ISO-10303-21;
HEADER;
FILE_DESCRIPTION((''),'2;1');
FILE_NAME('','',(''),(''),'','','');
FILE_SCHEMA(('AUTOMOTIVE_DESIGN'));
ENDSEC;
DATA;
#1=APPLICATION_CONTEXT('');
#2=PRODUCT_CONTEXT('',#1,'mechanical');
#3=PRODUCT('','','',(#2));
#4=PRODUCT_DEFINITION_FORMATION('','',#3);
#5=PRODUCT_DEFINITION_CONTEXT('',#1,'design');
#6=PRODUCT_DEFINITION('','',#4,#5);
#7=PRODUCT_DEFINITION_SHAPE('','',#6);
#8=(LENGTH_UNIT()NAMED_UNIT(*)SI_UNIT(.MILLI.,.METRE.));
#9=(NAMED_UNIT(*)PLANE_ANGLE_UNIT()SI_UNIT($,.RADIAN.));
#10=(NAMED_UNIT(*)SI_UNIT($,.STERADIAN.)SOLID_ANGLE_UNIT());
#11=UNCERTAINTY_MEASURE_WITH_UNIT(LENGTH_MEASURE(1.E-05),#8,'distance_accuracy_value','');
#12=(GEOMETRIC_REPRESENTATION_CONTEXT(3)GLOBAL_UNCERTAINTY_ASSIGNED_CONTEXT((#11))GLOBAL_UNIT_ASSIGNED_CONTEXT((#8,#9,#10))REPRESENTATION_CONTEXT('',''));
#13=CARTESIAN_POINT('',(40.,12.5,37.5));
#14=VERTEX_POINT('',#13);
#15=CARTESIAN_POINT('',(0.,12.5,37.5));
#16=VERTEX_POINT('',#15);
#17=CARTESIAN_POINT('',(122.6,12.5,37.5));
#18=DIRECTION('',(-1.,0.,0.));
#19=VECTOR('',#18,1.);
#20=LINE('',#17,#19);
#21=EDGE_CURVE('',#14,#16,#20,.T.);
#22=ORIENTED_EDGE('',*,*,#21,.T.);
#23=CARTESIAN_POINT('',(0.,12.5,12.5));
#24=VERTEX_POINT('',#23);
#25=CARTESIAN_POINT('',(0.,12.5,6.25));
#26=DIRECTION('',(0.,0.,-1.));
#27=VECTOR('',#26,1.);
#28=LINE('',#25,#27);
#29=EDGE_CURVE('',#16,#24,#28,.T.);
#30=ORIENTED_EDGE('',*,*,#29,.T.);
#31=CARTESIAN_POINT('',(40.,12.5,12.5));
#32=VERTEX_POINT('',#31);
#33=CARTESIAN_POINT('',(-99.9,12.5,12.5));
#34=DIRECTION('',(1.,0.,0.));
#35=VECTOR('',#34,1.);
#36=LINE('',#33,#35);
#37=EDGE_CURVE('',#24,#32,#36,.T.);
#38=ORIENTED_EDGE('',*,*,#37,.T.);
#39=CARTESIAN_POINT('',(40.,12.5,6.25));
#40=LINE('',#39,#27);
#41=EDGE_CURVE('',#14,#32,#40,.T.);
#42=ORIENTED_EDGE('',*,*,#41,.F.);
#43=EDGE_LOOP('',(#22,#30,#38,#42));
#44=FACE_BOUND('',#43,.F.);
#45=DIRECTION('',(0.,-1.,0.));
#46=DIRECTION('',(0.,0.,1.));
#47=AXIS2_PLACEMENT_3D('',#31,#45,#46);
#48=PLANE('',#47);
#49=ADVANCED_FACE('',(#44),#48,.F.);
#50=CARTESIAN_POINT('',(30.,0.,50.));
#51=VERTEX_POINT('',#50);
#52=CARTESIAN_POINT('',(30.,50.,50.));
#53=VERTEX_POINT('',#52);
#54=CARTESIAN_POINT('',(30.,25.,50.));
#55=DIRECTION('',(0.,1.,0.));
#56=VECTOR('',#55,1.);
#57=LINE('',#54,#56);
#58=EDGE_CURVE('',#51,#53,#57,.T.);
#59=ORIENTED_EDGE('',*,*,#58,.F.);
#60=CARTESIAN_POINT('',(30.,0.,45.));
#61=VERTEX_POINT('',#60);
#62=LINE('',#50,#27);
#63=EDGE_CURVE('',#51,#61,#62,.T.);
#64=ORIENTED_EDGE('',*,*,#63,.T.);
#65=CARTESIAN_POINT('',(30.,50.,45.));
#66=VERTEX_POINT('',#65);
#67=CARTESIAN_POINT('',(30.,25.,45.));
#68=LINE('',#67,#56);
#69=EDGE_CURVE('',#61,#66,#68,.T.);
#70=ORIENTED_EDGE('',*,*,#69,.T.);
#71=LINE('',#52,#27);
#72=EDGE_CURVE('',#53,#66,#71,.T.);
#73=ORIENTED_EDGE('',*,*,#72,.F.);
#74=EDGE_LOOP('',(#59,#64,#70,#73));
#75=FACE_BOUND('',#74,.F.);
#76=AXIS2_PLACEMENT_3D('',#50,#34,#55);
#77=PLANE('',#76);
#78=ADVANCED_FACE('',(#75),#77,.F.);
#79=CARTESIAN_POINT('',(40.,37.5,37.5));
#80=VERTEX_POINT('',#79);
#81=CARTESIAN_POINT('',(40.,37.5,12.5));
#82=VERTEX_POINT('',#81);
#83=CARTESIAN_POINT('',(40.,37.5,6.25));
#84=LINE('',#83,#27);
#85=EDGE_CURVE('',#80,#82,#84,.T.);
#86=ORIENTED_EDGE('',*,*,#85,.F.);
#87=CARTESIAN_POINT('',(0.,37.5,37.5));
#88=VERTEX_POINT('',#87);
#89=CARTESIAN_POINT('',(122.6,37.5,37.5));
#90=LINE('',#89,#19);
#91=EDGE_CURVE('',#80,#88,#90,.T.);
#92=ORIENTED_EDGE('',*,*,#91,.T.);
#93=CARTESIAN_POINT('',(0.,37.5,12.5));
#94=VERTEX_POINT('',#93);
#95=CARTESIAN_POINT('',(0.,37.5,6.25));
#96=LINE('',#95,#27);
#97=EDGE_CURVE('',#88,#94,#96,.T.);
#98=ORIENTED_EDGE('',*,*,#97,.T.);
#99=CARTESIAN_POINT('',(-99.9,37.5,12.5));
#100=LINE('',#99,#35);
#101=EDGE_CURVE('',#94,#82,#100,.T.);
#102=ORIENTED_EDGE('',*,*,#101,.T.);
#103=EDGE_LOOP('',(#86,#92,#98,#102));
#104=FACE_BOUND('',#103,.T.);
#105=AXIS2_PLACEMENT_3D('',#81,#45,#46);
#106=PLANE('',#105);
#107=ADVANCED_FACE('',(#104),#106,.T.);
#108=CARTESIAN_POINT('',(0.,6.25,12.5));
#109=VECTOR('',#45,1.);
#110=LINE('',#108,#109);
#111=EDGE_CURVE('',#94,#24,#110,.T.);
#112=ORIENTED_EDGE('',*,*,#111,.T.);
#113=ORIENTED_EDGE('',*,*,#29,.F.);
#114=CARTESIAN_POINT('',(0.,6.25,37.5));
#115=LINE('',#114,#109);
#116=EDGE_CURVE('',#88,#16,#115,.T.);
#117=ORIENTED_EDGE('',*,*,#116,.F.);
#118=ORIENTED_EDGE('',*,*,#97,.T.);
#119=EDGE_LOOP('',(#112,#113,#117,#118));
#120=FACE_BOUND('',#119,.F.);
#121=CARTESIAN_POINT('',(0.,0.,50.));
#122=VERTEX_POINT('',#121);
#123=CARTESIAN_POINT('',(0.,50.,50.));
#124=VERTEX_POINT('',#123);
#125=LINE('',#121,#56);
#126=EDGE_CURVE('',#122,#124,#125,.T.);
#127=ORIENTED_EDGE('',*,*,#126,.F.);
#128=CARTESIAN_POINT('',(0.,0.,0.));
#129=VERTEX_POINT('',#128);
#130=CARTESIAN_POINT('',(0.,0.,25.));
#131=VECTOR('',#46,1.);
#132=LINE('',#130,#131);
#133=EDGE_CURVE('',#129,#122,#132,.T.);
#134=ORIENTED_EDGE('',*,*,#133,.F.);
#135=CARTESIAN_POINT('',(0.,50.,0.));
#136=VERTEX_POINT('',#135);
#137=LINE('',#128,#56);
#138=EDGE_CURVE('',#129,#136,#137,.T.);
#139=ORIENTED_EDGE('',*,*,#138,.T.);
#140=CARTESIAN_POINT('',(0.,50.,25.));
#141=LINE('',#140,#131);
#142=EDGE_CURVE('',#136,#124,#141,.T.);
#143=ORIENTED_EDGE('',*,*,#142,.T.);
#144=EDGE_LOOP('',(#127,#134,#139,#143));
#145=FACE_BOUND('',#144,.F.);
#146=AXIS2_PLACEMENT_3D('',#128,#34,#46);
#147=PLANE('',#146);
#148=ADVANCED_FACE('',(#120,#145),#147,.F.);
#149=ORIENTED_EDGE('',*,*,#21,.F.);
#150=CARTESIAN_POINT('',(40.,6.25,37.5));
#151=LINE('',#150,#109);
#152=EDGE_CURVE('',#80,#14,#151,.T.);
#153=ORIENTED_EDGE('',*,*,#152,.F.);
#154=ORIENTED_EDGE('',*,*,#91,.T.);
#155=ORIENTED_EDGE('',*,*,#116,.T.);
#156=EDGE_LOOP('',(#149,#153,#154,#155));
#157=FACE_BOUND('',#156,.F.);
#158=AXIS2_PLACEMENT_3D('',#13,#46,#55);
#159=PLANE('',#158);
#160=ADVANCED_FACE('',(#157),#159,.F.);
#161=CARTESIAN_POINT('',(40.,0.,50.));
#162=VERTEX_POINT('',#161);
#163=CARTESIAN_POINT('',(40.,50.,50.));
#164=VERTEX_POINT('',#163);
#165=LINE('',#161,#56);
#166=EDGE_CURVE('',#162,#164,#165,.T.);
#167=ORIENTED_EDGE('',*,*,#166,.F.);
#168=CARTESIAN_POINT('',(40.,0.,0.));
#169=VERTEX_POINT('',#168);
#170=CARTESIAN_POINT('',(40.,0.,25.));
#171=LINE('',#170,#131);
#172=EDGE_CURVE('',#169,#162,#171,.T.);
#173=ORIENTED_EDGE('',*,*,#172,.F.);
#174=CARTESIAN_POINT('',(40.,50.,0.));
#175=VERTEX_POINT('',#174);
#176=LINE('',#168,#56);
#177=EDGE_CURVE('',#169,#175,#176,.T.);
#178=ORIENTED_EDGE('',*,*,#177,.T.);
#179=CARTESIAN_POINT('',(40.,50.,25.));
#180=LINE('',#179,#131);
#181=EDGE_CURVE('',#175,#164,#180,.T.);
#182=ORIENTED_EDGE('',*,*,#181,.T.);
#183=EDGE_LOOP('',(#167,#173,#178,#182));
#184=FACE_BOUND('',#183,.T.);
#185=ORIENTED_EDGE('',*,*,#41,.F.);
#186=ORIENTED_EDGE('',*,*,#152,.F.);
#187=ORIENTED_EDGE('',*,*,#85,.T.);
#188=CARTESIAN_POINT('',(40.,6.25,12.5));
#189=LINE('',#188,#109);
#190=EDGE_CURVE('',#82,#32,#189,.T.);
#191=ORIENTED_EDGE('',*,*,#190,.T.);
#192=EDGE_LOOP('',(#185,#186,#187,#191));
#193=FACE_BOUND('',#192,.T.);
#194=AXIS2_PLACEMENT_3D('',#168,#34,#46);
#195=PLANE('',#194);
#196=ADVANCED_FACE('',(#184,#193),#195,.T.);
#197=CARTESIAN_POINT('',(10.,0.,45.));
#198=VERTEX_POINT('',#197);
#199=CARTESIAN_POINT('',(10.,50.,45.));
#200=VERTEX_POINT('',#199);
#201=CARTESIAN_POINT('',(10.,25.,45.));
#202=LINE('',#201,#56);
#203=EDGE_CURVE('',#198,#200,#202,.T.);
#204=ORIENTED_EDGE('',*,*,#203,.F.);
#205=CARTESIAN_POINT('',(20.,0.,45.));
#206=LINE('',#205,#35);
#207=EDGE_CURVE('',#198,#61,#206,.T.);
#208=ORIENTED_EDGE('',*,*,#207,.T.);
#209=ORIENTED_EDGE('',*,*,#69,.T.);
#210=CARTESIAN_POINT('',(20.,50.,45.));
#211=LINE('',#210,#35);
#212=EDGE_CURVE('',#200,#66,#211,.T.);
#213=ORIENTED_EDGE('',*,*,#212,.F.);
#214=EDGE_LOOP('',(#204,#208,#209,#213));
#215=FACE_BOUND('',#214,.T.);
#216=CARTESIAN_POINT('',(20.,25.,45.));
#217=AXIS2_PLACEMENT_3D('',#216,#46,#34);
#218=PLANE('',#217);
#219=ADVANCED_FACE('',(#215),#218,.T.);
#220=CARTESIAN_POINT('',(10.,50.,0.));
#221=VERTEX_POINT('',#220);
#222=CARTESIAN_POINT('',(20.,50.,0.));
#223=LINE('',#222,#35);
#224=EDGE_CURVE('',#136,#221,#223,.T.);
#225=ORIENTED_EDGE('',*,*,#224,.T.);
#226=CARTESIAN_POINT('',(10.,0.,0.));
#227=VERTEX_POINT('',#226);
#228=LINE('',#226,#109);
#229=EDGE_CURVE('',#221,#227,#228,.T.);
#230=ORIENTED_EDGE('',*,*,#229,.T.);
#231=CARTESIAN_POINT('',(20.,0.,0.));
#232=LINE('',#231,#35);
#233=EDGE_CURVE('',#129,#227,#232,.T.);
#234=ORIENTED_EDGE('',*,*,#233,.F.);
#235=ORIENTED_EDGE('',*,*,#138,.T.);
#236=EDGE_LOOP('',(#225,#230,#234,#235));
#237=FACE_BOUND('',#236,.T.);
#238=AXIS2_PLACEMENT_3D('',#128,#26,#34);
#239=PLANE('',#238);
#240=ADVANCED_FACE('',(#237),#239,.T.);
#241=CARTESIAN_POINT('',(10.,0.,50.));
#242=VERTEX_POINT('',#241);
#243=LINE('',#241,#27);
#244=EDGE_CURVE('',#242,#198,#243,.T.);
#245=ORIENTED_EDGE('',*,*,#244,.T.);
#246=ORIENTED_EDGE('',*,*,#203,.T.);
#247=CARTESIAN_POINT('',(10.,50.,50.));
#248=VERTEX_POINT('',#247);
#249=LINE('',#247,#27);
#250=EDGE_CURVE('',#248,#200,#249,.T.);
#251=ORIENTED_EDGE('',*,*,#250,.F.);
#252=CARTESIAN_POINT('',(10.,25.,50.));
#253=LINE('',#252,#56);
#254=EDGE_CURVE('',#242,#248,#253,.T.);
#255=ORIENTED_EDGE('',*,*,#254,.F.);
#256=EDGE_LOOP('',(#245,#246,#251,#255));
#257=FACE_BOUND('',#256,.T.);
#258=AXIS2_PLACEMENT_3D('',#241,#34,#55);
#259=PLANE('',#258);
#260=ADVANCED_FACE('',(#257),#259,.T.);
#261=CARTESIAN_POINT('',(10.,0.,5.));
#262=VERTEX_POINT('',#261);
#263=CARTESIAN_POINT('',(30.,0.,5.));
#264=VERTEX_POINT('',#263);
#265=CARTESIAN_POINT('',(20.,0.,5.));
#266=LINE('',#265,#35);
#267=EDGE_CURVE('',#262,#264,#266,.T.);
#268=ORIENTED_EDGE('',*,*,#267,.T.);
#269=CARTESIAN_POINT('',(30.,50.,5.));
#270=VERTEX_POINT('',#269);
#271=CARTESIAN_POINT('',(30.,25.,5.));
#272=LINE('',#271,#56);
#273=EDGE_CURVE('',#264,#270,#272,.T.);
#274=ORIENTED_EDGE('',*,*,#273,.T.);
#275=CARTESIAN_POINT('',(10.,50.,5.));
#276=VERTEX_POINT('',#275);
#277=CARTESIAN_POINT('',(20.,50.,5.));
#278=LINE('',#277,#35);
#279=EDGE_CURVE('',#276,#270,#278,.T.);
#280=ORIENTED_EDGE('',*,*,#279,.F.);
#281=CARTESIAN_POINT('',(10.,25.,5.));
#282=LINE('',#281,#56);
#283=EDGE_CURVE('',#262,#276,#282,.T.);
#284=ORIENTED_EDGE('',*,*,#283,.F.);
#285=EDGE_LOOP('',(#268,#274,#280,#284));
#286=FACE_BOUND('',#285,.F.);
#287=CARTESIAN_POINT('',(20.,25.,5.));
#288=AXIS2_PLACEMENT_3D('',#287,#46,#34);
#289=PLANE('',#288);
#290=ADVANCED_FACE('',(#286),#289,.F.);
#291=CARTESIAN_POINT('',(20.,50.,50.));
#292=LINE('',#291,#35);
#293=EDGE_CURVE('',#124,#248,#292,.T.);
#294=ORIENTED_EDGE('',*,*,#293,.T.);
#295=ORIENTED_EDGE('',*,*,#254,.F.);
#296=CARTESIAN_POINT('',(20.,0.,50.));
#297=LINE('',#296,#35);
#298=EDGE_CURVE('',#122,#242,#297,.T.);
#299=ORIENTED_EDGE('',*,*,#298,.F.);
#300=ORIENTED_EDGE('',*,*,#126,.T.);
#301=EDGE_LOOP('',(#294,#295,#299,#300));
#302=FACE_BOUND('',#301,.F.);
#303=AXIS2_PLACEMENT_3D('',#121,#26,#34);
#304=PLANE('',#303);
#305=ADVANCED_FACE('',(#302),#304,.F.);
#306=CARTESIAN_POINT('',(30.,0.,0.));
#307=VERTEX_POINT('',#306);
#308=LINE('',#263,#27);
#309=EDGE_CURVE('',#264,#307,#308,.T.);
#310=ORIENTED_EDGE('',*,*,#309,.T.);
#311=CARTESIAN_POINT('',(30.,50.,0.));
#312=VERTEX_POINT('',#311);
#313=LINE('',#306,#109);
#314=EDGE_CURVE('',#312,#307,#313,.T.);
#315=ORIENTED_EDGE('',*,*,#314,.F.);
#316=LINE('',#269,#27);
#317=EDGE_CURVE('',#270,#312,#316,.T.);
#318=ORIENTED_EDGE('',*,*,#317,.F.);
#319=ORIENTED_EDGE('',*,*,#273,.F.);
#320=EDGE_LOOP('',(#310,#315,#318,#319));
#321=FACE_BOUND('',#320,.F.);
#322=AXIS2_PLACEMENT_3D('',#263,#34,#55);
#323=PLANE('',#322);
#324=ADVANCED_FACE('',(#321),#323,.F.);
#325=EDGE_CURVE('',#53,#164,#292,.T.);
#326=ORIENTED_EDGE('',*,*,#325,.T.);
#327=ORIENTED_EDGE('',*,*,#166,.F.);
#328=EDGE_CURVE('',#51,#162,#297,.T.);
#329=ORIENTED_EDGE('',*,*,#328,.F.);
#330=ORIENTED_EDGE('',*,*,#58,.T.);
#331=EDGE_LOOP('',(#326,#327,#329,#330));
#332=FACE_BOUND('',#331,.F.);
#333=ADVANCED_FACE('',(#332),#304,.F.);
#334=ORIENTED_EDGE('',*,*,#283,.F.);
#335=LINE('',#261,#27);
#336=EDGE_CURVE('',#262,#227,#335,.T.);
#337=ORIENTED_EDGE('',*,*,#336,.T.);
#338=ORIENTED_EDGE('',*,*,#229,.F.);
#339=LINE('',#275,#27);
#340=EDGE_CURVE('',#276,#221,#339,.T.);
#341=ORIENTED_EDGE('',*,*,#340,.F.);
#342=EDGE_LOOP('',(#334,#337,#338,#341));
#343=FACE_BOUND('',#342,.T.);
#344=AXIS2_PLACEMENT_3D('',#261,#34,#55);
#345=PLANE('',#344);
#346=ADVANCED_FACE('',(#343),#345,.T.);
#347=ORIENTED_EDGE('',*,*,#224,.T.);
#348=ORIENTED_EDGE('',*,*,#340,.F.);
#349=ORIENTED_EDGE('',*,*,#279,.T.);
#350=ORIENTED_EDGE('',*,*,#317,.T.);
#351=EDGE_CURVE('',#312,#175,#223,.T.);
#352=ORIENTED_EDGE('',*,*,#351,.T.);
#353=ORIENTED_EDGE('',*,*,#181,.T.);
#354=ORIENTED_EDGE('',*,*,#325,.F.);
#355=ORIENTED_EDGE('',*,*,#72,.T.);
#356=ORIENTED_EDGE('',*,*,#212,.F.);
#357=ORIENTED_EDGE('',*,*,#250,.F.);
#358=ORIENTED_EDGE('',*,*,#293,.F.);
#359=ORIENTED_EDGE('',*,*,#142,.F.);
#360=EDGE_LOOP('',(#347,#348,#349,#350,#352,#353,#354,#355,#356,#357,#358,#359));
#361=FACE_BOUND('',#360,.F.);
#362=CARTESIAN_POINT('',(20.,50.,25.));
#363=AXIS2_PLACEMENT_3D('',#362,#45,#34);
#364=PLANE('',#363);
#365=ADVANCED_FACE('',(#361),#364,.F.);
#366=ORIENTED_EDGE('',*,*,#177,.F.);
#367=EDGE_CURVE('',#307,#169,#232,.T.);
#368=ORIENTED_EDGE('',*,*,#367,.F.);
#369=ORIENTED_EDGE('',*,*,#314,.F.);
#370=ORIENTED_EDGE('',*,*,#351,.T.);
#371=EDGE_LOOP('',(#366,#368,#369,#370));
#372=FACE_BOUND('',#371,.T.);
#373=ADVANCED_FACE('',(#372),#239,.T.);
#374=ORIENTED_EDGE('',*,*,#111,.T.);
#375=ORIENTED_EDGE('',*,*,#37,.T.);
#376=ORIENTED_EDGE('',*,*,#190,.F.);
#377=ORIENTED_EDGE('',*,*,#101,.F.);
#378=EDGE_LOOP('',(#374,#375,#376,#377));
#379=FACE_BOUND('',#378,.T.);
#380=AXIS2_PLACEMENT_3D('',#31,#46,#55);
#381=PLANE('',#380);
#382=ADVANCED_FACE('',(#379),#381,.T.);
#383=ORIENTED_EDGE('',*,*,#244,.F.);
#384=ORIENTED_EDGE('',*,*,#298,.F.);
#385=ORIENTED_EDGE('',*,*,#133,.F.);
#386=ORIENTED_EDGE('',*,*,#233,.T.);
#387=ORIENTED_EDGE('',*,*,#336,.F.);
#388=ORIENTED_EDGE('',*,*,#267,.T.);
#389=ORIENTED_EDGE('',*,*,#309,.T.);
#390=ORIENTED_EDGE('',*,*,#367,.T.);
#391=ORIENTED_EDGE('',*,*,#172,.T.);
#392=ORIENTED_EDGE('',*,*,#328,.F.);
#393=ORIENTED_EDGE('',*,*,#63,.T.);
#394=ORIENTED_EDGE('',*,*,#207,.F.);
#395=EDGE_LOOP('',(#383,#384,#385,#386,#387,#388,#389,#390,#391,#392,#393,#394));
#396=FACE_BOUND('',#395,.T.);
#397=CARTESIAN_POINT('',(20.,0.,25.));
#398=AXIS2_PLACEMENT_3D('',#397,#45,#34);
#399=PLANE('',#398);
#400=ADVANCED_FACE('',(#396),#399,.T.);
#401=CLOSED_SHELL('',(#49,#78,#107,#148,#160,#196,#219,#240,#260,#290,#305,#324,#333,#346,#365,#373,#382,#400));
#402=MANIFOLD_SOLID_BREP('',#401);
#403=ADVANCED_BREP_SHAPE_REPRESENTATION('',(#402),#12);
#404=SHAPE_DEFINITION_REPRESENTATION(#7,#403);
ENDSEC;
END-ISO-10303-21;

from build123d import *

# Parameters (mm, degrees)
F0_W          = 40
F0_H          = 50
F1_DEPTH      = 50
F2_W          = 25
F2_H          = 25
F3_DEPTH      = 139.9
F3_DEPTH_BACK = 82.6
F5_W          = 20
F5_H          = 50
F6_DEPTH      = 5
F7_START      = -45
F7_DEPTH      = 30.1


with BuildPart() as f1:
    # F0 (on Front) → F1 (new body)
    with BuildSketch(Plane.XZ):
        with Locations((20, 25)):
            Rectangle(F0_W, F0_H)
    extrude(amount=-F1_DEPTH)


with BuildPart() as f3:
    # F2 (on face) → F3 (new body, two sides)
    with BuildSketch(Plane.YZ.offset(40)) as f3_sk:
        with Locations((25, 25)):
            Rectangle(F2_W, F2_H)
    extrude(amount=-F3_DEPTH)
    extrude(f3_sk.sketch, amount=F3_DEPTH_BACK)


with BuildPart() as f1_1:
    add(f1.part)

    # F4: cut F3
    add(f3.part, mode=Mode.SUBTRACT)

    # F5 (on face) → F6 (cut)
    with BuildSketch(Plane.XY.offset(50)):
        with Locations((20, 25)):
            Rectangle(F5_W, F5_H)
    extrude(amount=-F6_DEPTH, mode=Mode.SUBTRACT)

    # F5 (on face) → F7 (cut)
    with BuildSketch(Plane.XY.offset(50).offset(F7_START)):
        with Locations((20, 25)):
            Rectangle(F5_W, F5_H)
    extrude(amount=-F7_DEPTH, mode=Mode.SUBTRACT)


solid = f1_1.part
